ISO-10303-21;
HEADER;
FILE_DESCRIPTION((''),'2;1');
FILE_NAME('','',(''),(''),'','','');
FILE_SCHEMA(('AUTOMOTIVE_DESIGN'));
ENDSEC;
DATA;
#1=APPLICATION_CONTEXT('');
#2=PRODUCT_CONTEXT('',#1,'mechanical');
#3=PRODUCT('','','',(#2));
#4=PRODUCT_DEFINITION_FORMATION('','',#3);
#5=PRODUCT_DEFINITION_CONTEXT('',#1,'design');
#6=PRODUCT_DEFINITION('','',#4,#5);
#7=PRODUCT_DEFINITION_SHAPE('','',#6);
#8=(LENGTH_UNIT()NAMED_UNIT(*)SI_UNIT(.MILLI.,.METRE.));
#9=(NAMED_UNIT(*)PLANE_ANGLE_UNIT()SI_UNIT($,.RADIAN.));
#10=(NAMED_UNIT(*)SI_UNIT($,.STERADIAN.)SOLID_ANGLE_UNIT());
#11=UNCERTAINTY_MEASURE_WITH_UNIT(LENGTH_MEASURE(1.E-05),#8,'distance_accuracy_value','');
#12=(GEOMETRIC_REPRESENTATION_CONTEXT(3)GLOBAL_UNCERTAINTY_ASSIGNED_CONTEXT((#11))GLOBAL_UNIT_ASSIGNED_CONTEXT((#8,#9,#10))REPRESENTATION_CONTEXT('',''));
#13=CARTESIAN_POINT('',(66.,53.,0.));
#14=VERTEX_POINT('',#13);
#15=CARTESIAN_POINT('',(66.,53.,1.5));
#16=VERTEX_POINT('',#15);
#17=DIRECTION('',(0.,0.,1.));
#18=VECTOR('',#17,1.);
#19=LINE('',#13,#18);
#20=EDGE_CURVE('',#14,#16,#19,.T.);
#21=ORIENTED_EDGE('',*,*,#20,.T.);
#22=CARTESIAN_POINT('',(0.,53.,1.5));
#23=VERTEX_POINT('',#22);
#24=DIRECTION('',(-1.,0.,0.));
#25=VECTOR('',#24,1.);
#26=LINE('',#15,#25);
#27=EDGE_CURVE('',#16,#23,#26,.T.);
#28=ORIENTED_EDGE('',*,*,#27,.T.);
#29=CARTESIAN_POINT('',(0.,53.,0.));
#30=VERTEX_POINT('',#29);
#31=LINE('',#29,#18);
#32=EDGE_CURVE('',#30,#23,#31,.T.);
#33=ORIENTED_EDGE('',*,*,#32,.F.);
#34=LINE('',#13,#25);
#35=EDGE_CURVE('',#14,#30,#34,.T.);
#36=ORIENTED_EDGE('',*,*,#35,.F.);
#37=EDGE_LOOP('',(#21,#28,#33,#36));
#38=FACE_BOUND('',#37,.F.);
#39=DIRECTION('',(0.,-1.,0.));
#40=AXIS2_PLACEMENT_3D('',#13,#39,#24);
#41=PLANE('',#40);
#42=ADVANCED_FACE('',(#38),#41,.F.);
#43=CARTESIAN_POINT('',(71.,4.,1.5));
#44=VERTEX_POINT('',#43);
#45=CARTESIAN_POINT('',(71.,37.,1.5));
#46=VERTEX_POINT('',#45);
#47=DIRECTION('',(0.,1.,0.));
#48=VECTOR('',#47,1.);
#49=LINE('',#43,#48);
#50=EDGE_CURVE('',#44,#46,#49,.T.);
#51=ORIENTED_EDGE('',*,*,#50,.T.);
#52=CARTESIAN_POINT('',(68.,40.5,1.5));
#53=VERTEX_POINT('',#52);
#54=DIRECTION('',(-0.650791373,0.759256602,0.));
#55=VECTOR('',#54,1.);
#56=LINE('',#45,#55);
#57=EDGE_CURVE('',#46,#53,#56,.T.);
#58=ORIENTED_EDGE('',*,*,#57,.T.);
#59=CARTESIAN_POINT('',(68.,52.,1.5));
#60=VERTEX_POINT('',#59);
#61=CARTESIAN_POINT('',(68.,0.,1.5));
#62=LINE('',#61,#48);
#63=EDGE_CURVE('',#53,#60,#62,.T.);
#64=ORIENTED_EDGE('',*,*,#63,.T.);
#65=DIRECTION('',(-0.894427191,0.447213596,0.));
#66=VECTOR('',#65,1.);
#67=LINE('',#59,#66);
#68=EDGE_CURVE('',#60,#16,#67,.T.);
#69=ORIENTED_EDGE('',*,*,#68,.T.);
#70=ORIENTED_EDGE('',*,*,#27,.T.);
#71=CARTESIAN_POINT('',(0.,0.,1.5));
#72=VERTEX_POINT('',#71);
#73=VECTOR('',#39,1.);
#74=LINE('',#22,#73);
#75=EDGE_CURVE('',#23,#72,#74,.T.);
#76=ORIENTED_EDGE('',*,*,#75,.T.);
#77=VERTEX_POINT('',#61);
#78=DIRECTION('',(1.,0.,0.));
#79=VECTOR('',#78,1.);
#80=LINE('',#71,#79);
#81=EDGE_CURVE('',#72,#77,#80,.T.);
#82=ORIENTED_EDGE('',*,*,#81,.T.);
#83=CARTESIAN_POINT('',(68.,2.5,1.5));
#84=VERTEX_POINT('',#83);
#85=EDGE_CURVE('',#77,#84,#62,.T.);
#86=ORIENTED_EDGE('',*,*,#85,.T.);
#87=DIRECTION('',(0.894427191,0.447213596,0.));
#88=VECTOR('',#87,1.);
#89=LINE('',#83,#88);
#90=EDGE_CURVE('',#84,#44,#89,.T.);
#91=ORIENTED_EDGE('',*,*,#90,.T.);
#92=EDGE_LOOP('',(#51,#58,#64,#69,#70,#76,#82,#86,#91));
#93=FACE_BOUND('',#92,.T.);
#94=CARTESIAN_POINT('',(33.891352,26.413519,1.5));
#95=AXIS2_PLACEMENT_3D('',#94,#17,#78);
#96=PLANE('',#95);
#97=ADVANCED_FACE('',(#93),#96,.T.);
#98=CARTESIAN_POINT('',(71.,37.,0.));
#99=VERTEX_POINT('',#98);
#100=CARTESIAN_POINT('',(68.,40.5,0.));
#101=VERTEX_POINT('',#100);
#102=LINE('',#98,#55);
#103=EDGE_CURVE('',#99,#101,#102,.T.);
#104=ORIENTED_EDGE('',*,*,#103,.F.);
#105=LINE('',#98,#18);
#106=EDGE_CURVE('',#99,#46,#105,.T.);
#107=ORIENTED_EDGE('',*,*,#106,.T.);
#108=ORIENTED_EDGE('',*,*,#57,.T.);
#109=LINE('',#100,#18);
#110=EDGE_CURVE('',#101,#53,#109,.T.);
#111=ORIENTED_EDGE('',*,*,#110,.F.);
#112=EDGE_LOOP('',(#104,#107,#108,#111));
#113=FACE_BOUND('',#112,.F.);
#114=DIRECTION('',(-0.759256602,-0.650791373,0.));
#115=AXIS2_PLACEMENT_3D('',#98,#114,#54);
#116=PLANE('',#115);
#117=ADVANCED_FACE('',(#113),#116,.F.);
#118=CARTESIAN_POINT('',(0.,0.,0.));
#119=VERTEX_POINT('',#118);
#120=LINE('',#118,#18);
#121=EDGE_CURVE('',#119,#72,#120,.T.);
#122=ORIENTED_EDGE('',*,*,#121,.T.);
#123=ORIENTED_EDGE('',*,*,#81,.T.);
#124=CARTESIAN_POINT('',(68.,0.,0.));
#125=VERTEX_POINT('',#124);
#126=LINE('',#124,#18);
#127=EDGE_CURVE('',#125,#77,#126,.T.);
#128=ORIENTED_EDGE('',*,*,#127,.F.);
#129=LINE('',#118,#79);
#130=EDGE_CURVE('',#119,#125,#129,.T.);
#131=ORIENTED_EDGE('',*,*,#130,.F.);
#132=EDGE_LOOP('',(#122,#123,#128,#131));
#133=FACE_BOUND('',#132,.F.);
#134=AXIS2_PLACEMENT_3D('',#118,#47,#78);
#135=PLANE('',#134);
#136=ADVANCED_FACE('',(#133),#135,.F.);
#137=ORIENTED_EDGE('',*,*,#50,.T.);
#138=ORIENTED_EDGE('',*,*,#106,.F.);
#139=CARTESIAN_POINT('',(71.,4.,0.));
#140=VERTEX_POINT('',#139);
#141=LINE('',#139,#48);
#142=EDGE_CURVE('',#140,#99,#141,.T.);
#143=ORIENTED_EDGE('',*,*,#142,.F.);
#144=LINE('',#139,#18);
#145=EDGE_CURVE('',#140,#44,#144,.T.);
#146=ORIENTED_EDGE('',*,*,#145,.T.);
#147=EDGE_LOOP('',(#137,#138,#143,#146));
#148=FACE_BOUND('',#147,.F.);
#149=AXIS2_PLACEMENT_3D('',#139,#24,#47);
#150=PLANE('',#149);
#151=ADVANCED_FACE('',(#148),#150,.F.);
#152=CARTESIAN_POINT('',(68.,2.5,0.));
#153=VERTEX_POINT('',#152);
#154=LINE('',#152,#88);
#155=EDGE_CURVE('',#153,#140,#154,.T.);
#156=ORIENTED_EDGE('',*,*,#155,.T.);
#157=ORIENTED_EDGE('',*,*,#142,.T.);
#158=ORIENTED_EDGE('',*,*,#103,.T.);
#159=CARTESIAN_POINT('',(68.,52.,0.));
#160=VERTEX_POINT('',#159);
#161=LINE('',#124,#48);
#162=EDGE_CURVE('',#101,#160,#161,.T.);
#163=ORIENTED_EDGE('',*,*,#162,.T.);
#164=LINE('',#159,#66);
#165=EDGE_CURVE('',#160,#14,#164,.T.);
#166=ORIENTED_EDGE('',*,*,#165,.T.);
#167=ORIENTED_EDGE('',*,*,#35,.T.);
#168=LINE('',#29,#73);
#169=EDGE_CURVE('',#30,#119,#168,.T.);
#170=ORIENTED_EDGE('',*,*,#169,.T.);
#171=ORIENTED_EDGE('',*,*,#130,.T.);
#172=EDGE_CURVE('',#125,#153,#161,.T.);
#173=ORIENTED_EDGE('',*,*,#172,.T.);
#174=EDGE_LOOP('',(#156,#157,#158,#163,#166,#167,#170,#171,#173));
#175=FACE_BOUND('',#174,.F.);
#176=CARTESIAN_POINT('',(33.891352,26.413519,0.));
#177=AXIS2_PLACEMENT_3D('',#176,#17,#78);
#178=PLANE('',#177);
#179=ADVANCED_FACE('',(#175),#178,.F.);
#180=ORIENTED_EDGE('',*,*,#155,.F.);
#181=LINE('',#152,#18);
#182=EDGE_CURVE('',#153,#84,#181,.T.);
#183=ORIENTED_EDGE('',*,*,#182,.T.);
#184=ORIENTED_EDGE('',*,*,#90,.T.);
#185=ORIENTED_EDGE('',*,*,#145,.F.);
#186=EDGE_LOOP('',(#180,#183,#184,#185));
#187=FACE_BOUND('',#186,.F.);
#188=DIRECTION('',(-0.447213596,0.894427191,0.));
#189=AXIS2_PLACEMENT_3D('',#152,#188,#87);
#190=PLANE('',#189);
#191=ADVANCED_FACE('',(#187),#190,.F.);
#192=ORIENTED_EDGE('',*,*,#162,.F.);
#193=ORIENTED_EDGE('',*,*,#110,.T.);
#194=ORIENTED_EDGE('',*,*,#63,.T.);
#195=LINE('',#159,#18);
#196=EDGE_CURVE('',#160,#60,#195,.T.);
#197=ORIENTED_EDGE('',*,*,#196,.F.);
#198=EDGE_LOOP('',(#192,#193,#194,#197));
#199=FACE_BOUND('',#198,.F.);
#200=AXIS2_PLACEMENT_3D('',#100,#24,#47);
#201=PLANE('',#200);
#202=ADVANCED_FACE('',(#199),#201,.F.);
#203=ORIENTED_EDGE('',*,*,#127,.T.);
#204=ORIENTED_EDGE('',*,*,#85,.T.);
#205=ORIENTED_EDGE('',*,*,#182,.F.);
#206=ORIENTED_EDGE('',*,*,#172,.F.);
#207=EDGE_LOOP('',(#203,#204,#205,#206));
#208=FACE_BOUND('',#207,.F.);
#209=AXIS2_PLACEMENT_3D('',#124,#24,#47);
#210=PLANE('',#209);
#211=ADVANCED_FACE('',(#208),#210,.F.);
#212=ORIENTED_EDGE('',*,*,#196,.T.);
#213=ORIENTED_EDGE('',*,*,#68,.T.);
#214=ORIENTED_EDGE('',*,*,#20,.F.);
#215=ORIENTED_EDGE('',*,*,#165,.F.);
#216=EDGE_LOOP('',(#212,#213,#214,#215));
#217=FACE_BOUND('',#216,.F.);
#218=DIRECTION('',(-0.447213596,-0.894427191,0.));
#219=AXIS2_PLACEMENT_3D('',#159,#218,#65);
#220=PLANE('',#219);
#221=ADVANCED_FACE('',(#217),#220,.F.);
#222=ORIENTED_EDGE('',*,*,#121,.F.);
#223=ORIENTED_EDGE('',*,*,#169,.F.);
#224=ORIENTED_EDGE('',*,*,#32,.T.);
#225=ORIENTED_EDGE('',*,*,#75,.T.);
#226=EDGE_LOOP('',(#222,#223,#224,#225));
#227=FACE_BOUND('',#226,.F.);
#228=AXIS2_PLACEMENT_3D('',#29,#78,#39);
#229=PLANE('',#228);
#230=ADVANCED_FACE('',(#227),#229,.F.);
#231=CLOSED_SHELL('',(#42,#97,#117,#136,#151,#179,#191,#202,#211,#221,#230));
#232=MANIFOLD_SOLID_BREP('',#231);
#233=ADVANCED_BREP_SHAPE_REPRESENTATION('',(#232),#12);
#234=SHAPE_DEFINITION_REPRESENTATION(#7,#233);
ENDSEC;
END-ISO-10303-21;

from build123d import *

# Parameters (mm, degrees)
F1_DEPTH = 1.5


with BuildPart() as f1:
    # F0 (on Top) → F1 (new body)
    with BuildSketch(Plane.XY):
        Polygon((0, 53), (0, 0), (68, 0), (68, 2.5), (68, 37), (68, 40.5), (68, 52), (66, 53), align=None)
        Polygon((68, 37), (68, 2.5), (71, 4), (71, 37), align=None)
        Polygon((68, 40.5), (68, 37), (71, 37), align=None)
    extrude(amount=F1_DEPTH)


solid = f1.part
